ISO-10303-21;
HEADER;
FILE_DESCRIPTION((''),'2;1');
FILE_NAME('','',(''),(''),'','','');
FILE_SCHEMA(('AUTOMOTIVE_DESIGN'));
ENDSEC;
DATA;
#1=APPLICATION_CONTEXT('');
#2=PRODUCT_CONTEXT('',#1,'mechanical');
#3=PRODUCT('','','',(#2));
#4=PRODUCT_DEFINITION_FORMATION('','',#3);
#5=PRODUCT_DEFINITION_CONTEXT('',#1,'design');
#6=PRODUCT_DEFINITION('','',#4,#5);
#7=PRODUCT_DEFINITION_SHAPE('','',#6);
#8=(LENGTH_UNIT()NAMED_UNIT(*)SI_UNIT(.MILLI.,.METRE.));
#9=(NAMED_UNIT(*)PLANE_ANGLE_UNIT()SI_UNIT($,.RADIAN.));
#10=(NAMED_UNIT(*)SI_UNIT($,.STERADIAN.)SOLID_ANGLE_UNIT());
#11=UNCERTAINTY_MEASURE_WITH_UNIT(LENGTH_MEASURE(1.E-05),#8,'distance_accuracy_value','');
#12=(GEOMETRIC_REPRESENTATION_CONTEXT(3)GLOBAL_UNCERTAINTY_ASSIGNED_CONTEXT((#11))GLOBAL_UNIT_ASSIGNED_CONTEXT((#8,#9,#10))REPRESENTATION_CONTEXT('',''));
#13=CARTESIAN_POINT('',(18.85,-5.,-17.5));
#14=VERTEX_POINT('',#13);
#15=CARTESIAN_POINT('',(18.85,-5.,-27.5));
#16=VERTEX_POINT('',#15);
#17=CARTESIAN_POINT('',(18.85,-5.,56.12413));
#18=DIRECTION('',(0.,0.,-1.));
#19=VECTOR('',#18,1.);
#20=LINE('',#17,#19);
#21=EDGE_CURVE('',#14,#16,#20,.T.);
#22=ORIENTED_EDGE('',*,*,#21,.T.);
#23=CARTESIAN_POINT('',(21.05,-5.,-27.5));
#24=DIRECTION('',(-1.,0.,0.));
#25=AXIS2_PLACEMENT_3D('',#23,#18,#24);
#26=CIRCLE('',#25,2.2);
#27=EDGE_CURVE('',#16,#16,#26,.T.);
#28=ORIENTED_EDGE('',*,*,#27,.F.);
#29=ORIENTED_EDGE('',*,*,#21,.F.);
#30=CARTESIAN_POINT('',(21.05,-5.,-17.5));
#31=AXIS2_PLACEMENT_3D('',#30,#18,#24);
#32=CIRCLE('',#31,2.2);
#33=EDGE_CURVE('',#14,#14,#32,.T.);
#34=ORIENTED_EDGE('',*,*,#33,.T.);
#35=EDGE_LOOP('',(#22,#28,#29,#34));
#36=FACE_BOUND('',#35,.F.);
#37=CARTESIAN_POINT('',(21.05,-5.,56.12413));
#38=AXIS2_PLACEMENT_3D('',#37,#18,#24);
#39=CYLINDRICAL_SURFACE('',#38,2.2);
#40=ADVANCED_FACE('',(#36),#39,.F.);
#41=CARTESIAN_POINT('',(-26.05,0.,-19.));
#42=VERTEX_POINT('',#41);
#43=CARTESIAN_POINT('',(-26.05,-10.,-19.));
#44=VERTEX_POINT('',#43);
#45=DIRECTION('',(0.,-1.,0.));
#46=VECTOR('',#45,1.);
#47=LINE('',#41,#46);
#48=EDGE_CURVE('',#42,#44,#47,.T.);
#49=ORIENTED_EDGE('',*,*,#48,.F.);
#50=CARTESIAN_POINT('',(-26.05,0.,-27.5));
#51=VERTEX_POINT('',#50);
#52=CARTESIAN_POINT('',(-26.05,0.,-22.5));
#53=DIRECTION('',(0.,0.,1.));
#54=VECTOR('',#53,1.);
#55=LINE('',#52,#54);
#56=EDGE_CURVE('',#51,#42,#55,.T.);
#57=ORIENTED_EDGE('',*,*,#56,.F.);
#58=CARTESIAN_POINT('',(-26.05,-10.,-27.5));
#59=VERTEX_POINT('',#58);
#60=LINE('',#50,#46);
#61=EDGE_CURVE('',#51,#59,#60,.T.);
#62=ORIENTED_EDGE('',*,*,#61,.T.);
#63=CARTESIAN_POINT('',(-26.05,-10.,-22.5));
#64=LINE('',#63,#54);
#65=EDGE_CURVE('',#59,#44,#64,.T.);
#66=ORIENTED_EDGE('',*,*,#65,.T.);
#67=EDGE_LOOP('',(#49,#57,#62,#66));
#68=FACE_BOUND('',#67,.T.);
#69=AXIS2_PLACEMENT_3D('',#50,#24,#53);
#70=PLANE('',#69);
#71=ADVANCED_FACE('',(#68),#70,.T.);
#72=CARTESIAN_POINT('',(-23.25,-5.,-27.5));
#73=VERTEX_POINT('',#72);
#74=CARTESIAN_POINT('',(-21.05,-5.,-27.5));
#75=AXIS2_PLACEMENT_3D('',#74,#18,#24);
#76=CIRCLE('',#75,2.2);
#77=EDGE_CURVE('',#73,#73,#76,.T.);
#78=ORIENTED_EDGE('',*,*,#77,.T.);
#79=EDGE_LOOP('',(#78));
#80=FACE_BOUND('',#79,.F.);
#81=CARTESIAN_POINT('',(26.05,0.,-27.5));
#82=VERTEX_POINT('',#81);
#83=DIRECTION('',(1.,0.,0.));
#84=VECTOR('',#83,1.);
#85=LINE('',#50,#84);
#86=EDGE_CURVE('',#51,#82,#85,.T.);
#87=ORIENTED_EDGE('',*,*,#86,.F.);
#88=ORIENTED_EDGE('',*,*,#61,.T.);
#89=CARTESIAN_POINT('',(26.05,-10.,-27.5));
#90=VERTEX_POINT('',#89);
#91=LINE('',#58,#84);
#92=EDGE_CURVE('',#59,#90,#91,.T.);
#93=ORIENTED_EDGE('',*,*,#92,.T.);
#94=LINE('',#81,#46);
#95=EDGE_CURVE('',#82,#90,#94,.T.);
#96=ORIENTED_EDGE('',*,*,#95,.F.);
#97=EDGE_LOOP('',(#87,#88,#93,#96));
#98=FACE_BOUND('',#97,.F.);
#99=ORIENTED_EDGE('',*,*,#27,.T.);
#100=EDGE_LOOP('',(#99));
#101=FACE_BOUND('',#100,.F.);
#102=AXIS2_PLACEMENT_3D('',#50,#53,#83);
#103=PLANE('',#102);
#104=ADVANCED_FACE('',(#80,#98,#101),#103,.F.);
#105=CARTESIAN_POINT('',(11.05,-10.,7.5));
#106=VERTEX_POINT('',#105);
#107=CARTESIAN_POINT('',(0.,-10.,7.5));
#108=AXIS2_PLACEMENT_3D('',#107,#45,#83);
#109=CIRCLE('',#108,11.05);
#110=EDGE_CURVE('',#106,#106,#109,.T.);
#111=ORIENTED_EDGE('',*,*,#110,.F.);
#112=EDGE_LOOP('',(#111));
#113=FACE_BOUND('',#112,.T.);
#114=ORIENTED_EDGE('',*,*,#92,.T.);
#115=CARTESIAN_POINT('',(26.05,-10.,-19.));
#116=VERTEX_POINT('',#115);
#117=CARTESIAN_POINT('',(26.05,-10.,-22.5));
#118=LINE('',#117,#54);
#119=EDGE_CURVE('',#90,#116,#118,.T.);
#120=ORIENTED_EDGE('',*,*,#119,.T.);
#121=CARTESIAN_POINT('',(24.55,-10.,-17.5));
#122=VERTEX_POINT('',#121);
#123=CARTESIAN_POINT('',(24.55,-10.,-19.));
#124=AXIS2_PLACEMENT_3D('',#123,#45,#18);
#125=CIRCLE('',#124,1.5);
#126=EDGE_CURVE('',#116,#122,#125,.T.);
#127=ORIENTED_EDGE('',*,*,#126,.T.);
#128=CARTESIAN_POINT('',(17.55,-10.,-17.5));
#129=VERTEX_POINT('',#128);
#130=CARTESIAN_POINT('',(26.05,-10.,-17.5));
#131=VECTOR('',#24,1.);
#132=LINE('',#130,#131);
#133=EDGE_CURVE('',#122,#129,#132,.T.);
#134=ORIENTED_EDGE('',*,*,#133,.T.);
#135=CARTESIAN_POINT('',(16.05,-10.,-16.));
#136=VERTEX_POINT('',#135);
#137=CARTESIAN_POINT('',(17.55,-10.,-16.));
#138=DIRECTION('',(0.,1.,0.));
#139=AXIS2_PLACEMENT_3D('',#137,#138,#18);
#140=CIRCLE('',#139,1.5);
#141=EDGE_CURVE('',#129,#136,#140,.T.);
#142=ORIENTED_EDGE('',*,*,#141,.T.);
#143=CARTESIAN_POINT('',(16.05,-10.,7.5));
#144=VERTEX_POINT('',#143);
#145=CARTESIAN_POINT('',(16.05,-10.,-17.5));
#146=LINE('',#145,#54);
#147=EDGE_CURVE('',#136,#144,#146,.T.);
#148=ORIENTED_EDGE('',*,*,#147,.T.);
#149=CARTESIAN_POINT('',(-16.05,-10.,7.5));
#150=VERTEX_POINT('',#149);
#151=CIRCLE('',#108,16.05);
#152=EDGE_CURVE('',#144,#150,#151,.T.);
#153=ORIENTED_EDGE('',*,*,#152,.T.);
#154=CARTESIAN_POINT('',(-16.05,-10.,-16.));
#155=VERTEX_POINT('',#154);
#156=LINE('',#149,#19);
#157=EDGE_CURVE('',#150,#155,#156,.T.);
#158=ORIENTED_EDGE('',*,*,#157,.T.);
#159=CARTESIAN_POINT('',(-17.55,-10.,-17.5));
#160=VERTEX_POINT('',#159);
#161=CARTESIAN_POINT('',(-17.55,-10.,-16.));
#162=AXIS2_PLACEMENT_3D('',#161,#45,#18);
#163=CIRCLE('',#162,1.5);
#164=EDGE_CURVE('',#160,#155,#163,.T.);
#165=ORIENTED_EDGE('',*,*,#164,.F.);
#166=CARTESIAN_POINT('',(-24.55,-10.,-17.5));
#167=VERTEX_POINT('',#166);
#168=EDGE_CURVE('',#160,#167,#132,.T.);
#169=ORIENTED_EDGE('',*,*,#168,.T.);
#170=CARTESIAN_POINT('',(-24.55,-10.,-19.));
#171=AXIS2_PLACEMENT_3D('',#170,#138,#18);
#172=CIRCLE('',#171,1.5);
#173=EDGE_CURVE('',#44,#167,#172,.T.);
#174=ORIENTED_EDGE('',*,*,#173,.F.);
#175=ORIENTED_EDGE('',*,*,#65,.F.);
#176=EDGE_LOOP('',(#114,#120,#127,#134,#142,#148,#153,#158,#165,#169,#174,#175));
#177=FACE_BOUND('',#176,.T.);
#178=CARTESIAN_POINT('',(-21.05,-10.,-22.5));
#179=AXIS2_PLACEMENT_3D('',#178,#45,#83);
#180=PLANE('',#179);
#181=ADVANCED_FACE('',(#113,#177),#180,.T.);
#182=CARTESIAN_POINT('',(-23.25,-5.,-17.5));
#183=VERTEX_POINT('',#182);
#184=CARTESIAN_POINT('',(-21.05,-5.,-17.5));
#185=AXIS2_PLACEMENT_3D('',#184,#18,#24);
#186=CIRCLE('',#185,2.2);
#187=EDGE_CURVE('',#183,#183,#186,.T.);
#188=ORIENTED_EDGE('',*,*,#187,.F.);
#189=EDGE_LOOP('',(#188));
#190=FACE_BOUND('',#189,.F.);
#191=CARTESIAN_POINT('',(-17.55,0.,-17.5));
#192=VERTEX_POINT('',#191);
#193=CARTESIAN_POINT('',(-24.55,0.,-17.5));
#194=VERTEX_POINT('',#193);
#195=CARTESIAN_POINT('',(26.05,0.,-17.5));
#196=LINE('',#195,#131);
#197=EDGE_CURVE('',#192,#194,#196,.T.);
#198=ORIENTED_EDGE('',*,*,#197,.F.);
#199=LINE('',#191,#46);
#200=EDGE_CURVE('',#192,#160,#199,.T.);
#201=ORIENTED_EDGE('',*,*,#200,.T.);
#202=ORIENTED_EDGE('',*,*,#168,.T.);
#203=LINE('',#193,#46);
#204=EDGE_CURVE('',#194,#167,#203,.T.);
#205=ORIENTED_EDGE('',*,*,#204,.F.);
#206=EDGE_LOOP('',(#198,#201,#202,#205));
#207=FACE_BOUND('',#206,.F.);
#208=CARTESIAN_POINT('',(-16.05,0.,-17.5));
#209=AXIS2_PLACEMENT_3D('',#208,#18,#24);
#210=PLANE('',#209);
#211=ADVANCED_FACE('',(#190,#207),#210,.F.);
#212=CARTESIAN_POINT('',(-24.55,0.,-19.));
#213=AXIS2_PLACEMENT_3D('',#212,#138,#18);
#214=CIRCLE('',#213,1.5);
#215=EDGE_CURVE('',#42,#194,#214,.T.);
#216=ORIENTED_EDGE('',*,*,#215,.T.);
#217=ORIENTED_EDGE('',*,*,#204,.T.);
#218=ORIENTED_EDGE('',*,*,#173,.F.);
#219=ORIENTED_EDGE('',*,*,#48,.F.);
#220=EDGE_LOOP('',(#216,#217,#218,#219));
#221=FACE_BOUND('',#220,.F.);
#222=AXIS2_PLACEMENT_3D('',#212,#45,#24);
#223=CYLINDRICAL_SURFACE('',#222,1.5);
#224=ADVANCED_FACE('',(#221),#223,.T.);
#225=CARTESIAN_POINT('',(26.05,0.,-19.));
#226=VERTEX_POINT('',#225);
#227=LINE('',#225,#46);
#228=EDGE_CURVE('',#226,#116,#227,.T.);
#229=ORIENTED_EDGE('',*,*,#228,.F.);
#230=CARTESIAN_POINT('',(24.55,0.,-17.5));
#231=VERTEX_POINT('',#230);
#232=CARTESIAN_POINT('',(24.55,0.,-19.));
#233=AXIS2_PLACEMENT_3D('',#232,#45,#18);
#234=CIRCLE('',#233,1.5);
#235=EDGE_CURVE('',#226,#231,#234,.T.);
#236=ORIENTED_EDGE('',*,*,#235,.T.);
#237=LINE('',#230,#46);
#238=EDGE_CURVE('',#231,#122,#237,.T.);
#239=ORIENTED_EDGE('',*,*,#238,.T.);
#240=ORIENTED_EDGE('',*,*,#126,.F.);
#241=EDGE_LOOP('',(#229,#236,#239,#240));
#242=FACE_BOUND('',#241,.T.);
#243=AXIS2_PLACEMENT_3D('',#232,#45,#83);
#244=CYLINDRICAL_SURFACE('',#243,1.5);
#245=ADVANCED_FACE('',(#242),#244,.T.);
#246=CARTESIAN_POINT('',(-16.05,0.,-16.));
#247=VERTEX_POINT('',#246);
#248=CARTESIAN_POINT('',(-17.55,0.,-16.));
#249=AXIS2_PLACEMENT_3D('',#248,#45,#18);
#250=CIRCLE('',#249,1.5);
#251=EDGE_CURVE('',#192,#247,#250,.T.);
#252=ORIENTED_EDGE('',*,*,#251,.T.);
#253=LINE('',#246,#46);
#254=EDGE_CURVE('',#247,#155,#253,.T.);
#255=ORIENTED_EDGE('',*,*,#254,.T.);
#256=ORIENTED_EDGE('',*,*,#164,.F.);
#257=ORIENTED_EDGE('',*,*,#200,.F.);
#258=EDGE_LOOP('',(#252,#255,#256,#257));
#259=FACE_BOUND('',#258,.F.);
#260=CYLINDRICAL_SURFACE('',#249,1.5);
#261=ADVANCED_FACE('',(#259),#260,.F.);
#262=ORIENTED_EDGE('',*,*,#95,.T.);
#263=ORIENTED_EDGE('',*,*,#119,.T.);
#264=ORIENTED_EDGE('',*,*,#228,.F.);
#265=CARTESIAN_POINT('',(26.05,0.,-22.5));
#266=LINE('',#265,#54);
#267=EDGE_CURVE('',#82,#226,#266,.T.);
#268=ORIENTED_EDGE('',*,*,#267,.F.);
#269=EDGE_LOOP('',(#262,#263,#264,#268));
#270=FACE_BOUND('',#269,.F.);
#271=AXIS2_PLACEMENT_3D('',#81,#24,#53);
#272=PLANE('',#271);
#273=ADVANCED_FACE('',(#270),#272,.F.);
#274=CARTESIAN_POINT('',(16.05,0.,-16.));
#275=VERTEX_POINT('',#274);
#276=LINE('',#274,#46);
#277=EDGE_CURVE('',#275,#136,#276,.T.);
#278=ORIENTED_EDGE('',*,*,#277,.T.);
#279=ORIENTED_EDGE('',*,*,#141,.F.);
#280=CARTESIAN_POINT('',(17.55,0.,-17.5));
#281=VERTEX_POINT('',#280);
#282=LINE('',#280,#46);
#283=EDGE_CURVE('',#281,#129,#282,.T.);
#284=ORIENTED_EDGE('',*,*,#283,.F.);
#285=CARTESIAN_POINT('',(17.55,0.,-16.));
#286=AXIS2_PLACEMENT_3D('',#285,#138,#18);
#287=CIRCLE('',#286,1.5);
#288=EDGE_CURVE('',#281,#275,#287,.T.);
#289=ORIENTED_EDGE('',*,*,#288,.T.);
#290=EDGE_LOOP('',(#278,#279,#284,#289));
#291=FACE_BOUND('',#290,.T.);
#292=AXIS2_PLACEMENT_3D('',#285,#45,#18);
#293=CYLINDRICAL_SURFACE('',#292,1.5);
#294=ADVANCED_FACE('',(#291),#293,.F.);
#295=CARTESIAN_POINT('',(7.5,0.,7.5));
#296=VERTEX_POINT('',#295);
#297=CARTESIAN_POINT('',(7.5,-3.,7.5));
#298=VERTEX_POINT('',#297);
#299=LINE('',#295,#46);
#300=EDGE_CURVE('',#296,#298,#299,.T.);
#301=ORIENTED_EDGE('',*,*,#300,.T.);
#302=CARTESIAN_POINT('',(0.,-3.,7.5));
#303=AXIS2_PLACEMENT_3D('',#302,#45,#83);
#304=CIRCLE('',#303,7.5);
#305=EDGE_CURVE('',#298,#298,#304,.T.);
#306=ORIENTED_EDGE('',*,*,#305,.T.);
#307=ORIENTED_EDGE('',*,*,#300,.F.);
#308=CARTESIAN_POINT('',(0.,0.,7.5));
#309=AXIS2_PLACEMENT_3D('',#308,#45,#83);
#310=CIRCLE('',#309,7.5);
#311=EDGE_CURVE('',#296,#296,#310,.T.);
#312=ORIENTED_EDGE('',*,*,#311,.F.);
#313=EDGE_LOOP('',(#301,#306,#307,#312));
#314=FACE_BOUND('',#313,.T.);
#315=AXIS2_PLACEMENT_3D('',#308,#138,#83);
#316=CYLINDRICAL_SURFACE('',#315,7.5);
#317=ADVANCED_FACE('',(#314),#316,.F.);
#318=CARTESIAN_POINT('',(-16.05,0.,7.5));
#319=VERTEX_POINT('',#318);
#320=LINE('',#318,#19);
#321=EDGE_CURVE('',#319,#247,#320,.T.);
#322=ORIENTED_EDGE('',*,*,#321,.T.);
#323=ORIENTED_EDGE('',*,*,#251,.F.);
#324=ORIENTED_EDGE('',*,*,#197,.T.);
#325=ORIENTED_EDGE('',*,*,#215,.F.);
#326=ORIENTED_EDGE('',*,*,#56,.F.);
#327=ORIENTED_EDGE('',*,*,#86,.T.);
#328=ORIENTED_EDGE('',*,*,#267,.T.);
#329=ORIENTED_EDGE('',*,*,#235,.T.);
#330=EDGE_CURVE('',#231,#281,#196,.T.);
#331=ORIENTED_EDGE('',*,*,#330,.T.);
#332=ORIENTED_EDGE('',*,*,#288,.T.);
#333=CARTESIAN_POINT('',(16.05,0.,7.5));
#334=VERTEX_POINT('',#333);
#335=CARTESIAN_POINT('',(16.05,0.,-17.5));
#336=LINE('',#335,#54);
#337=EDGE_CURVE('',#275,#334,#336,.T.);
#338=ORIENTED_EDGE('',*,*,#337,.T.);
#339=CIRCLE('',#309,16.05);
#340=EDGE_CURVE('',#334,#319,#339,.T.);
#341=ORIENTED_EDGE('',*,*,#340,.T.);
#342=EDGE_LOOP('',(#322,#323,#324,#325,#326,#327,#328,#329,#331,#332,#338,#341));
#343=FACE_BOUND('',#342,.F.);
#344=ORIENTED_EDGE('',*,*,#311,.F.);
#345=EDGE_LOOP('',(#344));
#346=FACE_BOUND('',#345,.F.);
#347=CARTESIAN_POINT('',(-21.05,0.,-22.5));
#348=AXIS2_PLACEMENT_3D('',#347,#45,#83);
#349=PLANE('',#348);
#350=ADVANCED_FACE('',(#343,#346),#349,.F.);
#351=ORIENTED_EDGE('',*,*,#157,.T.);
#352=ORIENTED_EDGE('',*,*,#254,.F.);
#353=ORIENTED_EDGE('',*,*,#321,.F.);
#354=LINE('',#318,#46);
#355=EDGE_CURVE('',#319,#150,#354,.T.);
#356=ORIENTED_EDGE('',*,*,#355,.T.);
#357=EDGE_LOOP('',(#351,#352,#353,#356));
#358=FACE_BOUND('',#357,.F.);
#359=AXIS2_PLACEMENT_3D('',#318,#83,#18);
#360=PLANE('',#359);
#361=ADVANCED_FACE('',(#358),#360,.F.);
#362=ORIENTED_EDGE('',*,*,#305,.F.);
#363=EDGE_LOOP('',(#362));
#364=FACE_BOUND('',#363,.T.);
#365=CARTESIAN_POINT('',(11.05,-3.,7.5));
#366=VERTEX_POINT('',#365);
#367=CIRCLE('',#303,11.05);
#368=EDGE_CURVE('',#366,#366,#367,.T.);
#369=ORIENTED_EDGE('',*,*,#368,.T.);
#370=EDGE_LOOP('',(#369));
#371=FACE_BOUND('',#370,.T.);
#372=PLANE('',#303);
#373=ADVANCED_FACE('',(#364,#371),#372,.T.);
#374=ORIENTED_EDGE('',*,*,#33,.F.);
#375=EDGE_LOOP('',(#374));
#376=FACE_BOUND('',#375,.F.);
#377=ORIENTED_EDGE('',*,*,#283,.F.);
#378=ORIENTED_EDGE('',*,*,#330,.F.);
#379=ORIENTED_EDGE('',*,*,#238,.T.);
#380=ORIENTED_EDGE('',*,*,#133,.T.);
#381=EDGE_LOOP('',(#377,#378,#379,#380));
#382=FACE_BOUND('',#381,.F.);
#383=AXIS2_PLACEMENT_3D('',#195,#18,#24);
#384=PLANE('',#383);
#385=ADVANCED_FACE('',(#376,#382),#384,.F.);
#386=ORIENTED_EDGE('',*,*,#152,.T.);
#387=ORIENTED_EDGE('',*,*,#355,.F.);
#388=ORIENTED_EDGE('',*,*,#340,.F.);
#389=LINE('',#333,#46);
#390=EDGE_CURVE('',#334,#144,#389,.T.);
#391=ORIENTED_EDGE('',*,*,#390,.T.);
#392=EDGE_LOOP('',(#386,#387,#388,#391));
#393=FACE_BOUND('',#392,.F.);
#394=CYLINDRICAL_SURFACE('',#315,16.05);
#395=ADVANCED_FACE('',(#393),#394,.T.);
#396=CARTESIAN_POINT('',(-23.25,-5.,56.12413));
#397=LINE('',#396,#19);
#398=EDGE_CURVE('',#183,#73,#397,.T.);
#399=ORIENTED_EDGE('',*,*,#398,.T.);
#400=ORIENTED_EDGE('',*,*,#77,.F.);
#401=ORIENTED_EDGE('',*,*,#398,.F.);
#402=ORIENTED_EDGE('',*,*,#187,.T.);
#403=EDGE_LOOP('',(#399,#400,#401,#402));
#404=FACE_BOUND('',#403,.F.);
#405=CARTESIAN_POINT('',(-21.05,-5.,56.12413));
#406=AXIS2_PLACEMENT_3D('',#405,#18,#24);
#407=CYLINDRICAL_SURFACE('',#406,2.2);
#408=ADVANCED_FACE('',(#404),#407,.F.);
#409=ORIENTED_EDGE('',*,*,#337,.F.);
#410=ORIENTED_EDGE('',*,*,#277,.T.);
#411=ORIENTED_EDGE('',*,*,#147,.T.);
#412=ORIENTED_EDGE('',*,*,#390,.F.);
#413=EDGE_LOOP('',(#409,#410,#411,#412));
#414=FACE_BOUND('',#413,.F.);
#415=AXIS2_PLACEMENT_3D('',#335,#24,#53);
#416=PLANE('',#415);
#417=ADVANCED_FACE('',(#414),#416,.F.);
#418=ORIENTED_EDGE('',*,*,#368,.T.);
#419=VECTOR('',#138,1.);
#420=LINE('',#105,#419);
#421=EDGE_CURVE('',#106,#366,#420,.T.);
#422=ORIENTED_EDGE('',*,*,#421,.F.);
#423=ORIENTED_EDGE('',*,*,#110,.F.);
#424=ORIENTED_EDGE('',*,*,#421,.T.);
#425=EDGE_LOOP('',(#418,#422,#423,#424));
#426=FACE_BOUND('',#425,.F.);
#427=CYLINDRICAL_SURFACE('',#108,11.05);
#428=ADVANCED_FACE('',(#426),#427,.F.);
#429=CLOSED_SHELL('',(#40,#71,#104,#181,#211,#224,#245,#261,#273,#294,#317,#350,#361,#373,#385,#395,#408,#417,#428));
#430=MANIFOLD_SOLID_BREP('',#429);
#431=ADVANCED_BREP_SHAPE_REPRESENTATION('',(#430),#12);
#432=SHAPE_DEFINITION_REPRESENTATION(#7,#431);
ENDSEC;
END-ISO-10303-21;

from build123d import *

# Parameters (mm, degrees)
F0_W     = 10
F0_H     = 10
F0_W_2   = 32.1
F0_R     = 11.05
F0_R_2   = 7.5
F1_DEPTH = 10
F2_R     = 11.05
F2_R_2   = 7.5
F3_DEPTH = 7
F5_D     = 4.4
F6_R     = 1.5


with BuildPart() as f1:
    # F0 (on Front) → F1 (new body)
    with BuildSketch(Plane.XZ):
        with Locations((-21.05, -22.5)):
            Rectangle(F0_W, F0_H)
        with Locations((0, -22.5)):
            Rectangle(F0_W_2, F0_H)
        with Locations((21.05, -22.5)):
            Rectangle(F0_W, F0_H)
        with BuildLine():
            Line((-16.05, 7.5), (-16.05, -17.5))
            Line((-16.05, -17.5), (16.05, -17.5))
            Line((16.05, -17.5), (16.05, 7.5))
            ThreePointArc((16.05, 7.5), (0, 23.55), (-16.05, 7.5))
        make_face()
        with Locations((0, 7.5)):
            Circle(F0_R, mode=Mode.SUBTRACT)
        with Locations((0, 7.5)):
            Circle(F0_R)
        with Locations((0, 7.5)):
            Circle(F0_R_2, mode=Mode.SUBTRACT)
    extrude(amount=F1_DEPTH)

    # F2 (on face) → F3 (cut)
    with BuildSketch(Plane.XZ.offset(10)):
        with Locations((0, 7.5)):
            Circle(F2_R)
        with Locations((0, 7.5)):
            Circle(F2_R_2, mode=Mode.SUBTRACT)
    extrude(amount=-F3_DEPTH, mode=Mode.SUBTRACT)

    # F5 (through all)
    with Locations(Plane.XY.offset(-17.5)):
        with Locations((-21.05, -5), (21.05, -5)):
            Hole(F5_D / 2)

    # F6
    f6_edges = [f1.edges().sort_by_distance(p)[0] for p in [
        (-16.05, -5, -17.5),
        (-26.05, -5, -17.5),
        (16.05, -5, -17.5),
        (26.05, -5, -17.5),
    ]]
    fillet(f6_edges, radius=F6_R)


solid = f1.part
